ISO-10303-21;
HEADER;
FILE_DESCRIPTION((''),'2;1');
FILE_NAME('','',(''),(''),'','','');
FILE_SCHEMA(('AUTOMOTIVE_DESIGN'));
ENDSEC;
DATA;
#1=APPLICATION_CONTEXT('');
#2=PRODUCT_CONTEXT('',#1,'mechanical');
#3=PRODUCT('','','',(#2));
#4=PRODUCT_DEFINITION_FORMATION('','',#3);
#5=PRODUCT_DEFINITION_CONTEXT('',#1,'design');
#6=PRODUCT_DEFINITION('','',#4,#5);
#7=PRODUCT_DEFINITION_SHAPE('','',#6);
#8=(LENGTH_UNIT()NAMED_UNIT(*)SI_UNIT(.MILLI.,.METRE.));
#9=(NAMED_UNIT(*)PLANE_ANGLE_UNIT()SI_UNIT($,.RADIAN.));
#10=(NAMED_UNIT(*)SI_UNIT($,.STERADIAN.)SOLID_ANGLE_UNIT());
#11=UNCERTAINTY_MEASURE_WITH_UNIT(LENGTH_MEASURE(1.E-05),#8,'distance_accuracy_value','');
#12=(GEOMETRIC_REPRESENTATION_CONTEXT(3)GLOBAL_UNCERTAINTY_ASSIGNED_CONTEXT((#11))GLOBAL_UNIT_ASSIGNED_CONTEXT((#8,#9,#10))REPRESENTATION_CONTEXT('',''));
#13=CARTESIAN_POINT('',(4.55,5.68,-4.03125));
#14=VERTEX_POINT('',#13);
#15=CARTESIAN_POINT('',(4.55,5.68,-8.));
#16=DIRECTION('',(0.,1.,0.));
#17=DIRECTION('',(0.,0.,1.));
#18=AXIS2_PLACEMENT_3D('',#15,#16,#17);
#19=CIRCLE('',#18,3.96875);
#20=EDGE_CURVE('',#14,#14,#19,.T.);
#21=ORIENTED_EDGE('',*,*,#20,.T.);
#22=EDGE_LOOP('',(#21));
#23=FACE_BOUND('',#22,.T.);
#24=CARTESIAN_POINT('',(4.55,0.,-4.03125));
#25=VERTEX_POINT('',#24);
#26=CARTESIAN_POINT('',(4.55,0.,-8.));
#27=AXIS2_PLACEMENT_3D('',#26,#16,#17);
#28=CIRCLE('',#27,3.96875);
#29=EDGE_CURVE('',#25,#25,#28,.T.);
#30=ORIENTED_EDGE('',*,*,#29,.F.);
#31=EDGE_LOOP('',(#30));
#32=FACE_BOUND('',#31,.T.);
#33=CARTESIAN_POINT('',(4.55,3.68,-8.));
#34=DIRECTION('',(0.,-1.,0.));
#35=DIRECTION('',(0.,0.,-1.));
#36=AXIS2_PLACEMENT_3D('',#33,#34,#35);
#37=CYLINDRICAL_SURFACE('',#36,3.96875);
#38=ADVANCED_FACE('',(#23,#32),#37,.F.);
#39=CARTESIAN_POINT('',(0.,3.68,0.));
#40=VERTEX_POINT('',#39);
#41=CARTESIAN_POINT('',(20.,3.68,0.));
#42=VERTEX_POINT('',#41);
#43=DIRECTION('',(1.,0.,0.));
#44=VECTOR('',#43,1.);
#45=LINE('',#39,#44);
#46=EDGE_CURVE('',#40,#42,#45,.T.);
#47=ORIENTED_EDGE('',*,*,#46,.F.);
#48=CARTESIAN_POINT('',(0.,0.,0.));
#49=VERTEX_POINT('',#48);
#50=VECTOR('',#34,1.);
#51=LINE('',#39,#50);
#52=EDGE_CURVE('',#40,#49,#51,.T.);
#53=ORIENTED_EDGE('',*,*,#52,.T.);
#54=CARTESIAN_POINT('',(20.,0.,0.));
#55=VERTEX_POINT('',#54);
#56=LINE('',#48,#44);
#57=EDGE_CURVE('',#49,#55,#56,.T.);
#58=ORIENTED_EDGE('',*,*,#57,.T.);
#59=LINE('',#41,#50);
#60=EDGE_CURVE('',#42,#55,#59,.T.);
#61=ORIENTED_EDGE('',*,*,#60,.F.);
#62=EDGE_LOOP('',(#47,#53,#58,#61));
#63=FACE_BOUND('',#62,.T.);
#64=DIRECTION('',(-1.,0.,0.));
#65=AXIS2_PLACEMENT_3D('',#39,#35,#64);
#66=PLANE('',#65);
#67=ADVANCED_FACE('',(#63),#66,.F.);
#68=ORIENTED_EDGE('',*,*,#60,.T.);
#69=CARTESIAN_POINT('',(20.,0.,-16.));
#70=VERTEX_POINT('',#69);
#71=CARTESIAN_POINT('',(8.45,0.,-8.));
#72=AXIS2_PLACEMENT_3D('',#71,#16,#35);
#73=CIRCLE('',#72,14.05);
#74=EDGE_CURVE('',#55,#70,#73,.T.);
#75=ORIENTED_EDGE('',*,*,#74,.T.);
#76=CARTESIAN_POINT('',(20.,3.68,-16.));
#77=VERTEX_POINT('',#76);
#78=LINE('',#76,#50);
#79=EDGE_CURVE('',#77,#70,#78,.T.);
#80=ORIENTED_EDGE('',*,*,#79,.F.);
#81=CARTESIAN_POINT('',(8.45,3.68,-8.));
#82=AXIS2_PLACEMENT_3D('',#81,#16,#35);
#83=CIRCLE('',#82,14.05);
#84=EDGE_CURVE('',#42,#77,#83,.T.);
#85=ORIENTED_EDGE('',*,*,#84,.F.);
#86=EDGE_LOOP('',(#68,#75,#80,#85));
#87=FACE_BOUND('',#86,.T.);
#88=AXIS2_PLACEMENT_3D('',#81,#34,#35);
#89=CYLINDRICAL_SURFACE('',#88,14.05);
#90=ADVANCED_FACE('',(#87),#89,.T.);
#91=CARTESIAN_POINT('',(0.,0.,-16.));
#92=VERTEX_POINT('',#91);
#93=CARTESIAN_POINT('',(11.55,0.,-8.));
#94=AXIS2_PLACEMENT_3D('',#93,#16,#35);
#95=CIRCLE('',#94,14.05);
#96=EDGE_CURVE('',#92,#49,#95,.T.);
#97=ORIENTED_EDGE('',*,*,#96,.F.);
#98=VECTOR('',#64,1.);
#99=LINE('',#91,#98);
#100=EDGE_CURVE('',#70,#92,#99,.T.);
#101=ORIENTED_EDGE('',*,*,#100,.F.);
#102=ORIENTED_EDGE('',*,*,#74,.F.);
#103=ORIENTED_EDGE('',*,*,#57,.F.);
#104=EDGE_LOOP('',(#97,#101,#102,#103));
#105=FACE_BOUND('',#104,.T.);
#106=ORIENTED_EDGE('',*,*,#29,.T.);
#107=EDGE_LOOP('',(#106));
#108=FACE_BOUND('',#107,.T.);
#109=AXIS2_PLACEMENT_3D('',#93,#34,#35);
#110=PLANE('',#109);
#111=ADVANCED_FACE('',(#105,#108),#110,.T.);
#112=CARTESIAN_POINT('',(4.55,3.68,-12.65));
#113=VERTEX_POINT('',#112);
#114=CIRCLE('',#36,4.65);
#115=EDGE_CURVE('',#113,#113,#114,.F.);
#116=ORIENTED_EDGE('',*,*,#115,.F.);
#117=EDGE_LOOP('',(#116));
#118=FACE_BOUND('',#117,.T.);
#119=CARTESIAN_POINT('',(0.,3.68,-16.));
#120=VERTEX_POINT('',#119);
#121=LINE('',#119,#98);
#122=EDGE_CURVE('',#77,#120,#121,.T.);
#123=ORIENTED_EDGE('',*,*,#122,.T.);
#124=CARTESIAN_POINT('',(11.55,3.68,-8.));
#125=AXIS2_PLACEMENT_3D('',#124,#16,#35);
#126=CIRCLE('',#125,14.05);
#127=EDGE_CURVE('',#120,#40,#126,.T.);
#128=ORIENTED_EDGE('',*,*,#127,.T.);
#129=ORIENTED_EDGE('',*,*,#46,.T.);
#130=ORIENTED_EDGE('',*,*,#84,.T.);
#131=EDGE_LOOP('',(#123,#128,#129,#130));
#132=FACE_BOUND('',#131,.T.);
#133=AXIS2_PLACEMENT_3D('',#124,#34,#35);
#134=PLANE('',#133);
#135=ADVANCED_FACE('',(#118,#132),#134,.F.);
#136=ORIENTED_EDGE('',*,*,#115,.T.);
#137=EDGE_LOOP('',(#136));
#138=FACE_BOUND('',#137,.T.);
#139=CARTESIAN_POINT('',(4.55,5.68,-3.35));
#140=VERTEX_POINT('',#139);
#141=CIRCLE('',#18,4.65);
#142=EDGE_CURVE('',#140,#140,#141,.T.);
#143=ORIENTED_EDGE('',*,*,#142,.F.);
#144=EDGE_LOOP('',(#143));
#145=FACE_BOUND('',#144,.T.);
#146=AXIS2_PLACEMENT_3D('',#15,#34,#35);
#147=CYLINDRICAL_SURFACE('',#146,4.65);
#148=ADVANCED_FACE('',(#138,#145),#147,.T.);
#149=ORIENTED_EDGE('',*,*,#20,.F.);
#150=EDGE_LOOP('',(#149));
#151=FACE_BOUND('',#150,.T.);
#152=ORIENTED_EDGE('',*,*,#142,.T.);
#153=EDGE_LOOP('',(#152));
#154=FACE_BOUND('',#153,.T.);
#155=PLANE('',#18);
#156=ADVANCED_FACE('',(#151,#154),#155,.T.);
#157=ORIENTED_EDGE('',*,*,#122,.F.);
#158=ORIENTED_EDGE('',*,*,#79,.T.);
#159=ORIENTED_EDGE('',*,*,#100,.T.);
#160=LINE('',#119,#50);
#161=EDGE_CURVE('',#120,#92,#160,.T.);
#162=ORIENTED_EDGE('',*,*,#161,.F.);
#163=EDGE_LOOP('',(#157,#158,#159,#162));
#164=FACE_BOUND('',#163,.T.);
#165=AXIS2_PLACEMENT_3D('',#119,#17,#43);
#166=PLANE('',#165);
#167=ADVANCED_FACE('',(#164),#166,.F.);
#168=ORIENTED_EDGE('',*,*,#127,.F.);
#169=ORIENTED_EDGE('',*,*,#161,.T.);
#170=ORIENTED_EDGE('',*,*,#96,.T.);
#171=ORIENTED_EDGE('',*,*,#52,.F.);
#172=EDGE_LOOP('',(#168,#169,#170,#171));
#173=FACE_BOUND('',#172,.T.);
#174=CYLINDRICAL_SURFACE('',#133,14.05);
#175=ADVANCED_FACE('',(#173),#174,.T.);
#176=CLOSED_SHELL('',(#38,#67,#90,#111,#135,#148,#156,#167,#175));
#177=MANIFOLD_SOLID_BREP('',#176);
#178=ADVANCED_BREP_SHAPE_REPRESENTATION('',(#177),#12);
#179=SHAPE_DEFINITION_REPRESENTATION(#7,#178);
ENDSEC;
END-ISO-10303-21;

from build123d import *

# Parameters (mm, degrees)
SKETCH2_R           = 3.96875
BOSS_EXTRUDE1_DEPTH = 3.68
SKETCH3_R           = 4.65
SKETCH3_R_2         = 3.96875
BOSS_EXTRUDE2_DEPTH = 2


with BuildPart() as part:
    # Sketch2 → Boss-Extrude1 (new body)
    with BuildSketch(Plane(origin=(0, 0, 0), x_dir=(1, 0, 0), z_dir=(0, 1, 0))):
        with BuildLine():
            Line((0, 0), (20, 0))
            ThreePointArc((20, 0), (22.5, 8), (20, 16))
            Line((20, 16), (0, 16))
            ThreePointArc((0, 16), (-2.5, 8), (0, 0))
        make_face()
        with Locations((4.55, 8)):
            Circle(SKETCH2_R, mode=Mode.SUBTRACT)
    extrude(amount=BOSS_EXTRUDE1_DEPTH)

    # Sketch3 → Boss-Extrude2 (add)
    with BuildSketch(Plane(origin=(0, 3.68, 0), x_dir=(1, 0, 0), z_dir=(0, 1, 0))):
        with Locations((4.55, 8)):
            Circle(SKETCH3_R)
        with Locations((4.55, 8)):
            Circle(SKETCH3_R_2, mode=Mode.SUBTRACT)
    extrude(amount=BOSS_EXTRUDE2_DEPTH)


solid = part.part
